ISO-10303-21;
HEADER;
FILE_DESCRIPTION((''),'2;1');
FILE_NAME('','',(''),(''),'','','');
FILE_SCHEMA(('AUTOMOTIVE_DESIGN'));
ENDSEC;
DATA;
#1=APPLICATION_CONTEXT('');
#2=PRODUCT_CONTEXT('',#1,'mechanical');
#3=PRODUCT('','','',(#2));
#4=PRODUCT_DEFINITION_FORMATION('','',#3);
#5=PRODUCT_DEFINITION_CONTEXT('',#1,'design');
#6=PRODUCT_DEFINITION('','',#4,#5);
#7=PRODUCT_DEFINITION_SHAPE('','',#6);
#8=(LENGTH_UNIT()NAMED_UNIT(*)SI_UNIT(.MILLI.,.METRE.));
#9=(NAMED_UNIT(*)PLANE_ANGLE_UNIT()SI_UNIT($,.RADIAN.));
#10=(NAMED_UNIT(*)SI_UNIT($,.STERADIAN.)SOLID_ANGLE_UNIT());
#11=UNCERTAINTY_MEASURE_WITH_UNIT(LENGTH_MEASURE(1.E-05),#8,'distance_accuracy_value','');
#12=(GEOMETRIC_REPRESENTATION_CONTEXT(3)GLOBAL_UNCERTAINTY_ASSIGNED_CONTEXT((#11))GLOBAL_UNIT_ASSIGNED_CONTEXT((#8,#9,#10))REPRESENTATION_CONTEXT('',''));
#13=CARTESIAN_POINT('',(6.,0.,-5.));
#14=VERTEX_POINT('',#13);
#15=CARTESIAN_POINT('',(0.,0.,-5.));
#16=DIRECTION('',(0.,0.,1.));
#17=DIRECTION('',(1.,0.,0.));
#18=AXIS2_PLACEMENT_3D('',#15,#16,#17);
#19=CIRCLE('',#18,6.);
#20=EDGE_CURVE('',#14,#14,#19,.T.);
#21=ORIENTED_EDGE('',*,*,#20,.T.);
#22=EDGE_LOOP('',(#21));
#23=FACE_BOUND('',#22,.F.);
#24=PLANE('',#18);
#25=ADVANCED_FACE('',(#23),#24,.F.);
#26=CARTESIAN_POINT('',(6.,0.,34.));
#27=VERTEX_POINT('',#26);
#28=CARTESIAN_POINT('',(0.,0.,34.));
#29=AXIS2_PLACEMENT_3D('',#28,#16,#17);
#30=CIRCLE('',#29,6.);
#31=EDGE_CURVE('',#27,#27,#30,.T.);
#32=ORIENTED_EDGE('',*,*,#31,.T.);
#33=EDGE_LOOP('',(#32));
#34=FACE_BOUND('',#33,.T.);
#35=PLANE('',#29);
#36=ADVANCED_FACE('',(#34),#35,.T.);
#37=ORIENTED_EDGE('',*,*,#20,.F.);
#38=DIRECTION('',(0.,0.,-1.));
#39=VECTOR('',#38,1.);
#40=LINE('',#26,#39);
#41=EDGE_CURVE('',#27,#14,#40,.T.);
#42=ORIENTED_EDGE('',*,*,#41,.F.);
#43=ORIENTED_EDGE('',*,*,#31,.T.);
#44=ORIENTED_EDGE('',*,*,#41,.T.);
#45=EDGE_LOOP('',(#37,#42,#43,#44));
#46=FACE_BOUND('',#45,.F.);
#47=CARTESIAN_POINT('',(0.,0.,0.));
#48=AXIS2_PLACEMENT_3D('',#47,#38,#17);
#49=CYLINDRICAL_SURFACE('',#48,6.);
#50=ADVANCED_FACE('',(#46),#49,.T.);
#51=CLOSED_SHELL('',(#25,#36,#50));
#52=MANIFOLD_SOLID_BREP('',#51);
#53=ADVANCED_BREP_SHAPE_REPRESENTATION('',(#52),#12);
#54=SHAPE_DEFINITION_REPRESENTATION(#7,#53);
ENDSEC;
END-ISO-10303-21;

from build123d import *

# Parameters (mm, degrees)
CYLINDER003_R     = 6
CYLINDER003_DEPTH = 25
CYLINDER002_R     = 6
CYLINDER002_DEPTH = 9
CYLINDER_R        = 6
CYLINDER_DEPTH    = 5


with BuildPart() as cylinder003:
    # Cylinder003 → Cylinder003 (new body)
    with BuildSketch(Plane.XY.offset(9)):
        Circle(CYLINDER003_R)
    extrude(amount=CYLINDER003_DEPTH)


with BuildPart() as cylinder002:
    # Cylinder002 → Cylinder002 (new body)
    with BuildSketch(Plane.XY):
        Circle(CYLINDER002_R)
    extrude(amount=CYLINDER002_DEPTH)


with BuildPart() as fusion:
    # Cylinder → Cylinder (new body)
    with BuildSketch(Plane.XY.offset(-5)):
        Circle(CYLINDER_R)
    extrude(amount=CYLINDER_DEPTH)

    # Fusion: union Cylinder003, Cylinder002
    add(cylinder003.part)
    add(cylinder002.part)


solid = fusion.part
